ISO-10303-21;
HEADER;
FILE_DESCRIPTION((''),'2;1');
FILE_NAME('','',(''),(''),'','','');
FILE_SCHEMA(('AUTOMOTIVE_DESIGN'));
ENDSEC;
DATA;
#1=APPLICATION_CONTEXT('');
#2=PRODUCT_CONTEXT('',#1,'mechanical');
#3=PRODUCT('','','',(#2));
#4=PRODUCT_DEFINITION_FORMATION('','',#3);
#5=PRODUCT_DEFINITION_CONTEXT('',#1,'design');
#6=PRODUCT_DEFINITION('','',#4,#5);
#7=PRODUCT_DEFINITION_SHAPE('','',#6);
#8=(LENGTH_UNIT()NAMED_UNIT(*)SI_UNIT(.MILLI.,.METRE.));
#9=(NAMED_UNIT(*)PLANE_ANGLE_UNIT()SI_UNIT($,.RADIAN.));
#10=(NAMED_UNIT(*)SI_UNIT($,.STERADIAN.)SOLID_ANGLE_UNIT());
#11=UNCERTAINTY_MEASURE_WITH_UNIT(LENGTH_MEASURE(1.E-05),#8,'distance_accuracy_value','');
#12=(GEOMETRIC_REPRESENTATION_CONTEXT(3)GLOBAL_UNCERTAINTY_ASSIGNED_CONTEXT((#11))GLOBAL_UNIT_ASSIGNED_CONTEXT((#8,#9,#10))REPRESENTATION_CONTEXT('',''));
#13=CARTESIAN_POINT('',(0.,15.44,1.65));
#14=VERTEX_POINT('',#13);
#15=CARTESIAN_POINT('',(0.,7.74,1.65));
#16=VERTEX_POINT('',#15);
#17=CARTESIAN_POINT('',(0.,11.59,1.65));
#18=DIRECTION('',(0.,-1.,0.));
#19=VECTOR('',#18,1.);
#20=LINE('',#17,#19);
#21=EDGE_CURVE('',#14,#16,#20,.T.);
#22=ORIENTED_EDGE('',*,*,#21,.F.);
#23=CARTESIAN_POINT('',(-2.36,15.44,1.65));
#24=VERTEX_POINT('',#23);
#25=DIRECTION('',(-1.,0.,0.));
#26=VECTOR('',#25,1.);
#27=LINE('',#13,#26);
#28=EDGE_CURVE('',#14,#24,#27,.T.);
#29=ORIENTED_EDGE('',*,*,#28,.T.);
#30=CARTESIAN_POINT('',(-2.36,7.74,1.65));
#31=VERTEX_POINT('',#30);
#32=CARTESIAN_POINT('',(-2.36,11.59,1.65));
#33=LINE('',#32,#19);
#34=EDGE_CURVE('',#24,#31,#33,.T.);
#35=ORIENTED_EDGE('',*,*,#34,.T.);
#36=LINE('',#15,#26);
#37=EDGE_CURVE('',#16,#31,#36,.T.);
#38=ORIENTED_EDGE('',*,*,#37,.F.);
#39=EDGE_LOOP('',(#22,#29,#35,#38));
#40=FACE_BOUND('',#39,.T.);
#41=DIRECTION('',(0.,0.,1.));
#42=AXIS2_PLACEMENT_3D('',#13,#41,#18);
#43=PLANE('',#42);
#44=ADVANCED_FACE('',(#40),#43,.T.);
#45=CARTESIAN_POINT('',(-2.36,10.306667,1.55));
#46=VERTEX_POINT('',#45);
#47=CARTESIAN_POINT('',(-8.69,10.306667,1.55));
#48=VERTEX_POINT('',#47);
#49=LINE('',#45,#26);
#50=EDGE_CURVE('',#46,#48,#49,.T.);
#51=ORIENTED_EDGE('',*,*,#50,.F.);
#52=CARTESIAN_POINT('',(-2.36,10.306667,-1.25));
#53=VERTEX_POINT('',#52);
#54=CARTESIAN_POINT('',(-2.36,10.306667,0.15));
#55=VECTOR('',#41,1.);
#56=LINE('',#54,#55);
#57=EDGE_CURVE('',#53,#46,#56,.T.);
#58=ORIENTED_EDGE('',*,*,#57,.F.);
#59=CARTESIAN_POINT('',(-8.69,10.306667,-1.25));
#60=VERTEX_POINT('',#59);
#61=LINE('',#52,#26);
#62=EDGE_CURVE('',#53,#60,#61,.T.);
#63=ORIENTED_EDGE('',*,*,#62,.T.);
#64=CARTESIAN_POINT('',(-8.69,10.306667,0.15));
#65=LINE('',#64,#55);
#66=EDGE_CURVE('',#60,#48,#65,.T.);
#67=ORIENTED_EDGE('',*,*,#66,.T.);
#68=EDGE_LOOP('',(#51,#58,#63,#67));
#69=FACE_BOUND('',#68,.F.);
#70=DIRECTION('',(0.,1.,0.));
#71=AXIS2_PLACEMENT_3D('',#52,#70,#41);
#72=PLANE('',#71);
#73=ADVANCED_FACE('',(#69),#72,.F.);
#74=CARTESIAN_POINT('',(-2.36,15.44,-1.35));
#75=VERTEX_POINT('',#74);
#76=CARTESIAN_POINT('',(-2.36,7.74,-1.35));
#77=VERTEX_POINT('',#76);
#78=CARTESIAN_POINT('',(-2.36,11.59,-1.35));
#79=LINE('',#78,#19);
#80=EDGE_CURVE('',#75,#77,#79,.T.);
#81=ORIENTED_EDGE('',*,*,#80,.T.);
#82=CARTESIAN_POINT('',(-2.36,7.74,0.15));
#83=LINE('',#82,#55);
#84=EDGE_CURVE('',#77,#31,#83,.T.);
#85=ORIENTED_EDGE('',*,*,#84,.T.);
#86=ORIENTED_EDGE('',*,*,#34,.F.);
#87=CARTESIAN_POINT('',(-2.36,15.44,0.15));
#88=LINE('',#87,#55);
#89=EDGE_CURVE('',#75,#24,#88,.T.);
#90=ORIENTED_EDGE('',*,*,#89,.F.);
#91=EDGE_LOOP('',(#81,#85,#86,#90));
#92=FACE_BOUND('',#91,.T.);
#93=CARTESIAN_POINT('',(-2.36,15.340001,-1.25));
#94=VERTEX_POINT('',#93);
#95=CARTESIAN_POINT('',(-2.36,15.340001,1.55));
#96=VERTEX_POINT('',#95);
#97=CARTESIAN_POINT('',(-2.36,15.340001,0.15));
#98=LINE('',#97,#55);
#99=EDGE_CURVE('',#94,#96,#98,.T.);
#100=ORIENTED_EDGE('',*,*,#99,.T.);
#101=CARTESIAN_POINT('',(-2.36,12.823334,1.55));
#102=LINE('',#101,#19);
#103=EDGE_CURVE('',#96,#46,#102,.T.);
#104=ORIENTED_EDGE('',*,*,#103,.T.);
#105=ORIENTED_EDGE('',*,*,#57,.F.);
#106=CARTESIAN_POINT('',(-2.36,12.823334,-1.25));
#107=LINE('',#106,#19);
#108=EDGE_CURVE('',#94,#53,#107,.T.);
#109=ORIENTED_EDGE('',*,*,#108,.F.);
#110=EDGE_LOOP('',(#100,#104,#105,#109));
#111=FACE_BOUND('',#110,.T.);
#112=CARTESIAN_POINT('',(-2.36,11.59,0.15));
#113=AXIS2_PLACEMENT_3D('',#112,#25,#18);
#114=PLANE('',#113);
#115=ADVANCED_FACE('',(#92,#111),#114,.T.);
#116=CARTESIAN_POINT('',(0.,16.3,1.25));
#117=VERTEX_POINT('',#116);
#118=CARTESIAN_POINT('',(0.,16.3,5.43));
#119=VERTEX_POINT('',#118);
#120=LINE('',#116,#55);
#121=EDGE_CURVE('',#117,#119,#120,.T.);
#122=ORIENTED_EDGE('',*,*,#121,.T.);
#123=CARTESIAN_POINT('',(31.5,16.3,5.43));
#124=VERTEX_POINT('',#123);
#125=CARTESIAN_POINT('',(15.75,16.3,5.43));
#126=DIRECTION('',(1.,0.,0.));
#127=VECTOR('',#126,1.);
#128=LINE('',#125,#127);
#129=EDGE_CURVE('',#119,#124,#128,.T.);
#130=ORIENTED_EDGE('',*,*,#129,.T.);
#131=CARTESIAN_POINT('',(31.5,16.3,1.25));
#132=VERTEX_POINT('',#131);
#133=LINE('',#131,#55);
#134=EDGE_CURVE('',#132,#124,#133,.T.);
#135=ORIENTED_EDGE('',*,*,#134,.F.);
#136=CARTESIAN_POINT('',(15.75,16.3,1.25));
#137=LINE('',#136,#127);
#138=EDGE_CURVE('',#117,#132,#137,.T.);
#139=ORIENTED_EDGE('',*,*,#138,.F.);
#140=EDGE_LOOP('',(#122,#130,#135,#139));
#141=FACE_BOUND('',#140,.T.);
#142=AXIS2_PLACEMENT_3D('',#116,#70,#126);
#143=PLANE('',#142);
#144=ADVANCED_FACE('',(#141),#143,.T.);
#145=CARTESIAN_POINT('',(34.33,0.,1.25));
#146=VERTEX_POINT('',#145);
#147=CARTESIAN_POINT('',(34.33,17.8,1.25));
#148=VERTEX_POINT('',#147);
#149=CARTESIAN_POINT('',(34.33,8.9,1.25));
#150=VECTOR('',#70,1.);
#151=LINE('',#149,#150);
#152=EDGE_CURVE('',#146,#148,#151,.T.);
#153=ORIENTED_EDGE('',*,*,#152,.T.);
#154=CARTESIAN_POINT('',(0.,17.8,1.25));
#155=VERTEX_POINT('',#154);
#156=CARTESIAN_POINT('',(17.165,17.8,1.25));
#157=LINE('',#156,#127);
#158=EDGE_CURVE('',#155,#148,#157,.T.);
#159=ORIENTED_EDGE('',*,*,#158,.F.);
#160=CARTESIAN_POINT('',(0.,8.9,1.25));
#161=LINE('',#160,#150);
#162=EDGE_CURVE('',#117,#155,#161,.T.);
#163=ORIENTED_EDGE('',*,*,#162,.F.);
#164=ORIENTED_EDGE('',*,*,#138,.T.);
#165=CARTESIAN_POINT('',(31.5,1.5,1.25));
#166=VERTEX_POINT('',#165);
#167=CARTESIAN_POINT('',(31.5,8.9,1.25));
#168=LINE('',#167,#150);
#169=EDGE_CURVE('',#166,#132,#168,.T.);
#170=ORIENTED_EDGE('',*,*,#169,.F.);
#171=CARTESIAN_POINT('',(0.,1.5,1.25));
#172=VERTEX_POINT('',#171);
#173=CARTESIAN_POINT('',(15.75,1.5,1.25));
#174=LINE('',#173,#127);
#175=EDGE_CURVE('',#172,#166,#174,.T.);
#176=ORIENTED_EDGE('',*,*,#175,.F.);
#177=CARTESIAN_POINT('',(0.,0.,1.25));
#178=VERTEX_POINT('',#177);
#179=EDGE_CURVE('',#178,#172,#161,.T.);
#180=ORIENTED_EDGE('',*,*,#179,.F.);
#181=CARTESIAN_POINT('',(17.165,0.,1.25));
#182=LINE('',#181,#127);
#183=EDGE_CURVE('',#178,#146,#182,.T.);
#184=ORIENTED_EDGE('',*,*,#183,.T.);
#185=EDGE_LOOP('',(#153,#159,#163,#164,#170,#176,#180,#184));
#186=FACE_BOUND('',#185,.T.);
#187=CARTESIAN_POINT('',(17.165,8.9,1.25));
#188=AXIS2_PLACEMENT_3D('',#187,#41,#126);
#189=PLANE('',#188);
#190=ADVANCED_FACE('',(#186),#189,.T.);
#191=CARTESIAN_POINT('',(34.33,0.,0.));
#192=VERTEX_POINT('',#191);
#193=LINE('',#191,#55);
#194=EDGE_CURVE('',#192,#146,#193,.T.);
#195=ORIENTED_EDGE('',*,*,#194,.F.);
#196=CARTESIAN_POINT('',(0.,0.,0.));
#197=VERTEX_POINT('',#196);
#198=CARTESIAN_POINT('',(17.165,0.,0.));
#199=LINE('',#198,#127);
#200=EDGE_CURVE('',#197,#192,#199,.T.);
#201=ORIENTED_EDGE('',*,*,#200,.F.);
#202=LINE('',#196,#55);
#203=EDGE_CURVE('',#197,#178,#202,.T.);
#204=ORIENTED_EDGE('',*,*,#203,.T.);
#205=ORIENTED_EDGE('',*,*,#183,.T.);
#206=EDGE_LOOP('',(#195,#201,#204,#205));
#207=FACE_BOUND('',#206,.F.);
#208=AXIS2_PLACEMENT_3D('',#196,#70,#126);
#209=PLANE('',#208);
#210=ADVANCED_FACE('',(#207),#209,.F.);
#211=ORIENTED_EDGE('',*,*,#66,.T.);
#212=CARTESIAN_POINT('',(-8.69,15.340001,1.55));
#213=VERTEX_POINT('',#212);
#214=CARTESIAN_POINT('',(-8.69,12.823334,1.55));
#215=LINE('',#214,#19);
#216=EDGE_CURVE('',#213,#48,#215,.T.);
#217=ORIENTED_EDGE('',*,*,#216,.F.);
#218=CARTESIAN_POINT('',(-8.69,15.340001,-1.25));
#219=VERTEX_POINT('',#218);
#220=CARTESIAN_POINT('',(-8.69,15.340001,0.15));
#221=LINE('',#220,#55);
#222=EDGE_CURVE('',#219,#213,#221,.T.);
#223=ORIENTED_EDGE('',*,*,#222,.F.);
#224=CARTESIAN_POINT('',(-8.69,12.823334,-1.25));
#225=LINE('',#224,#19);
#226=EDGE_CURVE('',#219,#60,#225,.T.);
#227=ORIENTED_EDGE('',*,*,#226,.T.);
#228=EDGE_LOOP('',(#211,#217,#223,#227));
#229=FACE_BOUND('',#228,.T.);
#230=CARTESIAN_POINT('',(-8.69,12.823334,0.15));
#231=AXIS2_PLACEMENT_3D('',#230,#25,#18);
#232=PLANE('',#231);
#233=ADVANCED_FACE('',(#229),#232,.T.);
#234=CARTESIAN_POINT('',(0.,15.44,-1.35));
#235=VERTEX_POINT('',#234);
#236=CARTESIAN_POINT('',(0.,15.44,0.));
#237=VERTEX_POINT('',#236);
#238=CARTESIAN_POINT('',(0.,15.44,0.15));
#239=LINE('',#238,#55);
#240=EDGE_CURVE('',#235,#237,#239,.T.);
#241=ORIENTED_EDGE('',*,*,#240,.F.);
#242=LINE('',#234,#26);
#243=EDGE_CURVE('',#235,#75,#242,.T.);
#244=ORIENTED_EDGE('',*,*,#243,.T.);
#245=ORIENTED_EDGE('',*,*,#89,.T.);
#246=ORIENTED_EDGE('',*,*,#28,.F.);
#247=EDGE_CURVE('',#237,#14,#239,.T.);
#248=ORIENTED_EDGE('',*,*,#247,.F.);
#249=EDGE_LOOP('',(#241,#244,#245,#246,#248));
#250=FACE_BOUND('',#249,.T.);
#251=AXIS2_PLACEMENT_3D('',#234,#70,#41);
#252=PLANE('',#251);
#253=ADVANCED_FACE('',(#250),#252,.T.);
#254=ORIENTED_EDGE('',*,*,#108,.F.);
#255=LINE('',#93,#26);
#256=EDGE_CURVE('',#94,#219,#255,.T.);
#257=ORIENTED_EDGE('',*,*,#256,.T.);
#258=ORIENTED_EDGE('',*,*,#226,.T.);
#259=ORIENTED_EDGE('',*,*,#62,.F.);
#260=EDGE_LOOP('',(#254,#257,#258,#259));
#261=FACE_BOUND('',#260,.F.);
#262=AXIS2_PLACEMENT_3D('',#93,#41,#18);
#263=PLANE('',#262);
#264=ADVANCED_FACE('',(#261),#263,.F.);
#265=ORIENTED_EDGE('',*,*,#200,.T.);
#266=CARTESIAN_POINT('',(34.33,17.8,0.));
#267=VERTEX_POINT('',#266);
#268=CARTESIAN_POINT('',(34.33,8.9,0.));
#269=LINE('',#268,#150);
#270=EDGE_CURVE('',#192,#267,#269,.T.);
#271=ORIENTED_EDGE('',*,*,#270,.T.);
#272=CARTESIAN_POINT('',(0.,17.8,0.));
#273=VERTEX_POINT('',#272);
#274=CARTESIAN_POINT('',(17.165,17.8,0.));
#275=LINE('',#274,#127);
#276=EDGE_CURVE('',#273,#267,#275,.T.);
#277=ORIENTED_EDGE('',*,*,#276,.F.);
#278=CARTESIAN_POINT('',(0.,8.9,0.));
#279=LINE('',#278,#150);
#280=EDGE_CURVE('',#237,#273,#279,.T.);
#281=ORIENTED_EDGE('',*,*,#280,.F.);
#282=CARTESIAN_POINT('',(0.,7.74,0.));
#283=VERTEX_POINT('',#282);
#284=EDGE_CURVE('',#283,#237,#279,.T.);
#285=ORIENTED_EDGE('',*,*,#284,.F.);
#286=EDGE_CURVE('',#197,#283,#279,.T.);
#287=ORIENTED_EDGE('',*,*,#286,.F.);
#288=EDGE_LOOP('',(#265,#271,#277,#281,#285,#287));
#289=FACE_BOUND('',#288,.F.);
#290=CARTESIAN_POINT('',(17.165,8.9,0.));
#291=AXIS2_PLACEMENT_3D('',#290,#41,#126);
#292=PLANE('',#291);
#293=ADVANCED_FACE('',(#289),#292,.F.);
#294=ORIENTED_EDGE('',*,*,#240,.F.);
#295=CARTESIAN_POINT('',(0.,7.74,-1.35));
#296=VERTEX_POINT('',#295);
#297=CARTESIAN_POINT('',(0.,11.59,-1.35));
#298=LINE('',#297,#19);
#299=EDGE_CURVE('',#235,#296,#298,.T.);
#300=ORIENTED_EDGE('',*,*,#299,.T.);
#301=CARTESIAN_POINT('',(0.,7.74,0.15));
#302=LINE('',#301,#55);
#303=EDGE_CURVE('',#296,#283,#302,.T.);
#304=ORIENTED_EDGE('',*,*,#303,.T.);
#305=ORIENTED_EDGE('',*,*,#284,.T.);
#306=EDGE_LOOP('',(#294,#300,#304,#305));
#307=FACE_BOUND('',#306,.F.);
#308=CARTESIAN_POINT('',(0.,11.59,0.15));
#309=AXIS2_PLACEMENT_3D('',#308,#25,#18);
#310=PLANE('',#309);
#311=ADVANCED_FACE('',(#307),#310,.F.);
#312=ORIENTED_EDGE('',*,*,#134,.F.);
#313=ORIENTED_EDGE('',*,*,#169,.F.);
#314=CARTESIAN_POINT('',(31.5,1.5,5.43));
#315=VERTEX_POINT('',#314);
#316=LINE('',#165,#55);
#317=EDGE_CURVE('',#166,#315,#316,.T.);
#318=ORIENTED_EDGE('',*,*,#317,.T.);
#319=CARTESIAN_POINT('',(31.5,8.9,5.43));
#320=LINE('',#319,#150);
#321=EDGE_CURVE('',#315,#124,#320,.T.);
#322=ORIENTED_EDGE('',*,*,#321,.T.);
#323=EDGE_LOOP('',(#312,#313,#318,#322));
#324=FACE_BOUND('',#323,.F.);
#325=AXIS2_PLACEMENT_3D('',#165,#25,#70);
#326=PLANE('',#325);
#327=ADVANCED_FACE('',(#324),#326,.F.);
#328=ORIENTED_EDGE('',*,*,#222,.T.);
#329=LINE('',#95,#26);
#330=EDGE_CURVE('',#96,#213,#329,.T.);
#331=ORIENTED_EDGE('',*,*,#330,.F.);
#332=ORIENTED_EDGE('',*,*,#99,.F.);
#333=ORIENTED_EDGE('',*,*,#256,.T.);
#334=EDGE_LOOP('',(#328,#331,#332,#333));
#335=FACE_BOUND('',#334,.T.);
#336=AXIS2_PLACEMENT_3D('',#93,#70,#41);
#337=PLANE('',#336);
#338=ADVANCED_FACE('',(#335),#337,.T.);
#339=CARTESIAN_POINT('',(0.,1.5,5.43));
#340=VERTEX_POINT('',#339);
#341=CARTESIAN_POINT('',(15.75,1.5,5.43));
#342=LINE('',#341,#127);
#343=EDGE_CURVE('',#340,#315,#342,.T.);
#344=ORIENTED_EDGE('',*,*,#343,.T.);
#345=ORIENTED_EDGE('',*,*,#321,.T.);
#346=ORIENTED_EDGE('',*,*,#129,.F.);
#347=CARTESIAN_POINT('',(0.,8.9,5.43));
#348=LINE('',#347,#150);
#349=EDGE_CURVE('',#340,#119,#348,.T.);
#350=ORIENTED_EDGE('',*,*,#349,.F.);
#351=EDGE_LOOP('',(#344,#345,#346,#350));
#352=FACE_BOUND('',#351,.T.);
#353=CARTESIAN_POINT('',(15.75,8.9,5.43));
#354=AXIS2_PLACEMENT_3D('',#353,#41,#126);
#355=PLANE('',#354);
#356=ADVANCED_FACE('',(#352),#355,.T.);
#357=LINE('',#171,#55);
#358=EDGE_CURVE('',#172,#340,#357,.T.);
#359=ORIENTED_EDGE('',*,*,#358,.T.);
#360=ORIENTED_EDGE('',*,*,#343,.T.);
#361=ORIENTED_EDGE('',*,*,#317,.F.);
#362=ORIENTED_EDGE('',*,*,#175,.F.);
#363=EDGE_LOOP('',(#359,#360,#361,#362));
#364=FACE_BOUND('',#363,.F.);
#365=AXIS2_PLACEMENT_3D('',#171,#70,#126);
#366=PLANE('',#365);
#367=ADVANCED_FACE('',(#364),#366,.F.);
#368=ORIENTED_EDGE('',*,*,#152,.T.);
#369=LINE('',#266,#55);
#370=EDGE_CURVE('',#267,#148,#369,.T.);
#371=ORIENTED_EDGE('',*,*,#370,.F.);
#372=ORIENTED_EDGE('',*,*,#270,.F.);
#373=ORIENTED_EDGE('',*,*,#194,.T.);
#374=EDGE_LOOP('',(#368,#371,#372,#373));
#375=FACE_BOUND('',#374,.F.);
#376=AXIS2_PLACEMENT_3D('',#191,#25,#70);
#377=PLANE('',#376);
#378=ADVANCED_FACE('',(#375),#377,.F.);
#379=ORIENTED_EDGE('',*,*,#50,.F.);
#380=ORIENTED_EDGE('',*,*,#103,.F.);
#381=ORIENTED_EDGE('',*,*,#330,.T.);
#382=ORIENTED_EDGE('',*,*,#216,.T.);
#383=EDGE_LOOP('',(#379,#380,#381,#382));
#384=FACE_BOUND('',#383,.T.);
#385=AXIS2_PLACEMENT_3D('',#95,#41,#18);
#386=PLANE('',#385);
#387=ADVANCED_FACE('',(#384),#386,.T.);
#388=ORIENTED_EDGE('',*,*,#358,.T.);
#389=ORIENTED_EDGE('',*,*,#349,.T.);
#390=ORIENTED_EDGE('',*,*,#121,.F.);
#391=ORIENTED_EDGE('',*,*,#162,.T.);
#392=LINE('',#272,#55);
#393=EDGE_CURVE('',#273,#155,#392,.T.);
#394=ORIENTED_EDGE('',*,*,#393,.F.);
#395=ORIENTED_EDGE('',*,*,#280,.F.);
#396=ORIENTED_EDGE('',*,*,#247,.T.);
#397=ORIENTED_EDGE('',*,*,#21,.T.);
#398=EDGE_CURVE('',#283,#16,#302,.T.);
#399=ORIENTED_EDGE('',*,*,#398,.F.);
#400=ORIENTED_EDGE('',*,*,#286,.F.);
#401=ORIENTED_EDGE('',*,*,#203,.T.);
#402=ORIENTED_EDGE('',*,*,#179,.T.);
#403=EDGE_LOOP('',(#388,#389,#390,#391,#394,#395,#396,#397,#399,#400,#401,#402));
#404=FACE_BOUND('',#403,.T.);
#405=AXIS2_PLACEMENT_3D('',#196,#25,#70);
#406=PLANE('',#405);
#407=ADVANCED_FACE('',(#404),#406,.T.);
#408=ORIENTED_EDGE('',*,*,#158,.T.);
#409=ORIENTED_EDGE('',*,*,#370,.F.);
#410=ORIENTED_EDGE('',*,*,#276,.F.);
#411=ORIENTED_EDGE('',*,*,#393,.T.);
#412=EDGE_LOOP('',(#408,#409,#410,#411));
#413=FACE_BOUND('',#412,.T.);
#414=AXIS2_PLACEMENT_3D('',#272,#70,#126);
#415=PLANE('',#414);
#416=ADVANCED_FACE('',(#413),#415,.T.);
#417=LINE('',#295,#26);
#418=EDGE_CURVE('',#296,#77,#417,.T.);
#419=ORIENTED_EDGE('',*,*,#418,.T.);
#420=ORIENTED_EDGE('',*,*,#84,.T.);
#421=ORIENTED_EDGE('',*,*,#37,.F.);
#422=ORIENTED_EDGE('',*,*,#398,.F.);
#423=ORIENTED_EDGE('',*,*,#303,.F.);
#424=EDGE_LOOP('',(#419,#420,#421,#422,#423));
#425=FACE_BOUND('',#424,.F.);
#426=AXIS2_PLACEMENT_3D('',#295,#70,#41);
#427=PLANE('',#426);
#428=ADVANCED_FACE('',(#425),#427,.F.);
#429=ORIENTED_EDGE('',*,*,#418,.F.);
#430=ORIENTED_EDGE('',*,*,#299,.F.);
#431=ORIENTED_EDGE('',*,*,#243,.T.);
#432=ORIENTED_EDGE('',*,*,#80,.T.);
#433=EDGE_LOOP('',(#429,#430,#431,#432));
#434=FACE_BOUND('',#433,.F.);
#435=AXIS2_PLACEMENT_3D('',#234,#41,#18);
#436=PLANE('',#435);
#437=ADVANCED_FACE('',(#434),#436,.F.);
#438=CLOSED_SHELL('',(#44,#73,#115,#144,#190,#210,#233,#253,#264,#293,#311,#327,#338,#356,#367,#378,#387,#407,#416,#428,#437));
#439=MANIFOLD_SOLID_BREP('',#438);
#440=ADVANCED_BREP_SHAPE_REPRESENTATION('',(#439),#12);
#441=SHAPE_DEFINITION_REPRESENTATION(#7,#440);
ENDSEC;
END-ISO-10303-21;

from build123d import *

# Parameters (mm, degrees)
F0_W     = 34.33
F0_H     = 17.8
F1_DEPTH = 1.25
F2_W     = 31.5
F2_H     = 14.8
F3_DEPTH = 4.18
F4_W     = 7.7
F4_H     = 3
F5_DEPTH = 2.36
F6_W     = 5.033333
F6_H     = 2.8
F7_DEPTH = 6.33


with BuildPart() as f1:
    # F0 (on Top) → F1 (new body)
    with BuildSketch(Plane.XY):
        with Locations((17.165, 8.9)):
            Rectangle(F0_W, F0_H)
    extrude(amount=F1_DEPTH)

    # F2 (on face) → F3 (join)
    with BuildSketch(Plane.XY.offset(1.25)):
        with Locations((15.75, 8.9)):
            Rectangle(F2_W, F2_H)
    extrude(amount=F3_DEPTH)

    # F4 (on face) → F5 (join)
    with BuildSketch(Plane(origin=(0, 0, 0), x_dir=(0, -1, 0), z_dir=(-1, 0, 0))):
        with Locations((-11.59, 0.15)):
            Rectangle(F4_W, F4_H)
    extrude(amount=F5_DEPTH)

    # F6 (on face) → F7 (join)
    with BuildSketch(Plane(origin=(-2.36, 0, 0), x_dir=(0, -1, 0), z_dir=(-1, 0, 0))):
        with Locations((-12.823334, 0.15)):
            Rectangle(F6_W, F6_H)
    extrude(amount=F7_DEPTH)


solid = f1.part
